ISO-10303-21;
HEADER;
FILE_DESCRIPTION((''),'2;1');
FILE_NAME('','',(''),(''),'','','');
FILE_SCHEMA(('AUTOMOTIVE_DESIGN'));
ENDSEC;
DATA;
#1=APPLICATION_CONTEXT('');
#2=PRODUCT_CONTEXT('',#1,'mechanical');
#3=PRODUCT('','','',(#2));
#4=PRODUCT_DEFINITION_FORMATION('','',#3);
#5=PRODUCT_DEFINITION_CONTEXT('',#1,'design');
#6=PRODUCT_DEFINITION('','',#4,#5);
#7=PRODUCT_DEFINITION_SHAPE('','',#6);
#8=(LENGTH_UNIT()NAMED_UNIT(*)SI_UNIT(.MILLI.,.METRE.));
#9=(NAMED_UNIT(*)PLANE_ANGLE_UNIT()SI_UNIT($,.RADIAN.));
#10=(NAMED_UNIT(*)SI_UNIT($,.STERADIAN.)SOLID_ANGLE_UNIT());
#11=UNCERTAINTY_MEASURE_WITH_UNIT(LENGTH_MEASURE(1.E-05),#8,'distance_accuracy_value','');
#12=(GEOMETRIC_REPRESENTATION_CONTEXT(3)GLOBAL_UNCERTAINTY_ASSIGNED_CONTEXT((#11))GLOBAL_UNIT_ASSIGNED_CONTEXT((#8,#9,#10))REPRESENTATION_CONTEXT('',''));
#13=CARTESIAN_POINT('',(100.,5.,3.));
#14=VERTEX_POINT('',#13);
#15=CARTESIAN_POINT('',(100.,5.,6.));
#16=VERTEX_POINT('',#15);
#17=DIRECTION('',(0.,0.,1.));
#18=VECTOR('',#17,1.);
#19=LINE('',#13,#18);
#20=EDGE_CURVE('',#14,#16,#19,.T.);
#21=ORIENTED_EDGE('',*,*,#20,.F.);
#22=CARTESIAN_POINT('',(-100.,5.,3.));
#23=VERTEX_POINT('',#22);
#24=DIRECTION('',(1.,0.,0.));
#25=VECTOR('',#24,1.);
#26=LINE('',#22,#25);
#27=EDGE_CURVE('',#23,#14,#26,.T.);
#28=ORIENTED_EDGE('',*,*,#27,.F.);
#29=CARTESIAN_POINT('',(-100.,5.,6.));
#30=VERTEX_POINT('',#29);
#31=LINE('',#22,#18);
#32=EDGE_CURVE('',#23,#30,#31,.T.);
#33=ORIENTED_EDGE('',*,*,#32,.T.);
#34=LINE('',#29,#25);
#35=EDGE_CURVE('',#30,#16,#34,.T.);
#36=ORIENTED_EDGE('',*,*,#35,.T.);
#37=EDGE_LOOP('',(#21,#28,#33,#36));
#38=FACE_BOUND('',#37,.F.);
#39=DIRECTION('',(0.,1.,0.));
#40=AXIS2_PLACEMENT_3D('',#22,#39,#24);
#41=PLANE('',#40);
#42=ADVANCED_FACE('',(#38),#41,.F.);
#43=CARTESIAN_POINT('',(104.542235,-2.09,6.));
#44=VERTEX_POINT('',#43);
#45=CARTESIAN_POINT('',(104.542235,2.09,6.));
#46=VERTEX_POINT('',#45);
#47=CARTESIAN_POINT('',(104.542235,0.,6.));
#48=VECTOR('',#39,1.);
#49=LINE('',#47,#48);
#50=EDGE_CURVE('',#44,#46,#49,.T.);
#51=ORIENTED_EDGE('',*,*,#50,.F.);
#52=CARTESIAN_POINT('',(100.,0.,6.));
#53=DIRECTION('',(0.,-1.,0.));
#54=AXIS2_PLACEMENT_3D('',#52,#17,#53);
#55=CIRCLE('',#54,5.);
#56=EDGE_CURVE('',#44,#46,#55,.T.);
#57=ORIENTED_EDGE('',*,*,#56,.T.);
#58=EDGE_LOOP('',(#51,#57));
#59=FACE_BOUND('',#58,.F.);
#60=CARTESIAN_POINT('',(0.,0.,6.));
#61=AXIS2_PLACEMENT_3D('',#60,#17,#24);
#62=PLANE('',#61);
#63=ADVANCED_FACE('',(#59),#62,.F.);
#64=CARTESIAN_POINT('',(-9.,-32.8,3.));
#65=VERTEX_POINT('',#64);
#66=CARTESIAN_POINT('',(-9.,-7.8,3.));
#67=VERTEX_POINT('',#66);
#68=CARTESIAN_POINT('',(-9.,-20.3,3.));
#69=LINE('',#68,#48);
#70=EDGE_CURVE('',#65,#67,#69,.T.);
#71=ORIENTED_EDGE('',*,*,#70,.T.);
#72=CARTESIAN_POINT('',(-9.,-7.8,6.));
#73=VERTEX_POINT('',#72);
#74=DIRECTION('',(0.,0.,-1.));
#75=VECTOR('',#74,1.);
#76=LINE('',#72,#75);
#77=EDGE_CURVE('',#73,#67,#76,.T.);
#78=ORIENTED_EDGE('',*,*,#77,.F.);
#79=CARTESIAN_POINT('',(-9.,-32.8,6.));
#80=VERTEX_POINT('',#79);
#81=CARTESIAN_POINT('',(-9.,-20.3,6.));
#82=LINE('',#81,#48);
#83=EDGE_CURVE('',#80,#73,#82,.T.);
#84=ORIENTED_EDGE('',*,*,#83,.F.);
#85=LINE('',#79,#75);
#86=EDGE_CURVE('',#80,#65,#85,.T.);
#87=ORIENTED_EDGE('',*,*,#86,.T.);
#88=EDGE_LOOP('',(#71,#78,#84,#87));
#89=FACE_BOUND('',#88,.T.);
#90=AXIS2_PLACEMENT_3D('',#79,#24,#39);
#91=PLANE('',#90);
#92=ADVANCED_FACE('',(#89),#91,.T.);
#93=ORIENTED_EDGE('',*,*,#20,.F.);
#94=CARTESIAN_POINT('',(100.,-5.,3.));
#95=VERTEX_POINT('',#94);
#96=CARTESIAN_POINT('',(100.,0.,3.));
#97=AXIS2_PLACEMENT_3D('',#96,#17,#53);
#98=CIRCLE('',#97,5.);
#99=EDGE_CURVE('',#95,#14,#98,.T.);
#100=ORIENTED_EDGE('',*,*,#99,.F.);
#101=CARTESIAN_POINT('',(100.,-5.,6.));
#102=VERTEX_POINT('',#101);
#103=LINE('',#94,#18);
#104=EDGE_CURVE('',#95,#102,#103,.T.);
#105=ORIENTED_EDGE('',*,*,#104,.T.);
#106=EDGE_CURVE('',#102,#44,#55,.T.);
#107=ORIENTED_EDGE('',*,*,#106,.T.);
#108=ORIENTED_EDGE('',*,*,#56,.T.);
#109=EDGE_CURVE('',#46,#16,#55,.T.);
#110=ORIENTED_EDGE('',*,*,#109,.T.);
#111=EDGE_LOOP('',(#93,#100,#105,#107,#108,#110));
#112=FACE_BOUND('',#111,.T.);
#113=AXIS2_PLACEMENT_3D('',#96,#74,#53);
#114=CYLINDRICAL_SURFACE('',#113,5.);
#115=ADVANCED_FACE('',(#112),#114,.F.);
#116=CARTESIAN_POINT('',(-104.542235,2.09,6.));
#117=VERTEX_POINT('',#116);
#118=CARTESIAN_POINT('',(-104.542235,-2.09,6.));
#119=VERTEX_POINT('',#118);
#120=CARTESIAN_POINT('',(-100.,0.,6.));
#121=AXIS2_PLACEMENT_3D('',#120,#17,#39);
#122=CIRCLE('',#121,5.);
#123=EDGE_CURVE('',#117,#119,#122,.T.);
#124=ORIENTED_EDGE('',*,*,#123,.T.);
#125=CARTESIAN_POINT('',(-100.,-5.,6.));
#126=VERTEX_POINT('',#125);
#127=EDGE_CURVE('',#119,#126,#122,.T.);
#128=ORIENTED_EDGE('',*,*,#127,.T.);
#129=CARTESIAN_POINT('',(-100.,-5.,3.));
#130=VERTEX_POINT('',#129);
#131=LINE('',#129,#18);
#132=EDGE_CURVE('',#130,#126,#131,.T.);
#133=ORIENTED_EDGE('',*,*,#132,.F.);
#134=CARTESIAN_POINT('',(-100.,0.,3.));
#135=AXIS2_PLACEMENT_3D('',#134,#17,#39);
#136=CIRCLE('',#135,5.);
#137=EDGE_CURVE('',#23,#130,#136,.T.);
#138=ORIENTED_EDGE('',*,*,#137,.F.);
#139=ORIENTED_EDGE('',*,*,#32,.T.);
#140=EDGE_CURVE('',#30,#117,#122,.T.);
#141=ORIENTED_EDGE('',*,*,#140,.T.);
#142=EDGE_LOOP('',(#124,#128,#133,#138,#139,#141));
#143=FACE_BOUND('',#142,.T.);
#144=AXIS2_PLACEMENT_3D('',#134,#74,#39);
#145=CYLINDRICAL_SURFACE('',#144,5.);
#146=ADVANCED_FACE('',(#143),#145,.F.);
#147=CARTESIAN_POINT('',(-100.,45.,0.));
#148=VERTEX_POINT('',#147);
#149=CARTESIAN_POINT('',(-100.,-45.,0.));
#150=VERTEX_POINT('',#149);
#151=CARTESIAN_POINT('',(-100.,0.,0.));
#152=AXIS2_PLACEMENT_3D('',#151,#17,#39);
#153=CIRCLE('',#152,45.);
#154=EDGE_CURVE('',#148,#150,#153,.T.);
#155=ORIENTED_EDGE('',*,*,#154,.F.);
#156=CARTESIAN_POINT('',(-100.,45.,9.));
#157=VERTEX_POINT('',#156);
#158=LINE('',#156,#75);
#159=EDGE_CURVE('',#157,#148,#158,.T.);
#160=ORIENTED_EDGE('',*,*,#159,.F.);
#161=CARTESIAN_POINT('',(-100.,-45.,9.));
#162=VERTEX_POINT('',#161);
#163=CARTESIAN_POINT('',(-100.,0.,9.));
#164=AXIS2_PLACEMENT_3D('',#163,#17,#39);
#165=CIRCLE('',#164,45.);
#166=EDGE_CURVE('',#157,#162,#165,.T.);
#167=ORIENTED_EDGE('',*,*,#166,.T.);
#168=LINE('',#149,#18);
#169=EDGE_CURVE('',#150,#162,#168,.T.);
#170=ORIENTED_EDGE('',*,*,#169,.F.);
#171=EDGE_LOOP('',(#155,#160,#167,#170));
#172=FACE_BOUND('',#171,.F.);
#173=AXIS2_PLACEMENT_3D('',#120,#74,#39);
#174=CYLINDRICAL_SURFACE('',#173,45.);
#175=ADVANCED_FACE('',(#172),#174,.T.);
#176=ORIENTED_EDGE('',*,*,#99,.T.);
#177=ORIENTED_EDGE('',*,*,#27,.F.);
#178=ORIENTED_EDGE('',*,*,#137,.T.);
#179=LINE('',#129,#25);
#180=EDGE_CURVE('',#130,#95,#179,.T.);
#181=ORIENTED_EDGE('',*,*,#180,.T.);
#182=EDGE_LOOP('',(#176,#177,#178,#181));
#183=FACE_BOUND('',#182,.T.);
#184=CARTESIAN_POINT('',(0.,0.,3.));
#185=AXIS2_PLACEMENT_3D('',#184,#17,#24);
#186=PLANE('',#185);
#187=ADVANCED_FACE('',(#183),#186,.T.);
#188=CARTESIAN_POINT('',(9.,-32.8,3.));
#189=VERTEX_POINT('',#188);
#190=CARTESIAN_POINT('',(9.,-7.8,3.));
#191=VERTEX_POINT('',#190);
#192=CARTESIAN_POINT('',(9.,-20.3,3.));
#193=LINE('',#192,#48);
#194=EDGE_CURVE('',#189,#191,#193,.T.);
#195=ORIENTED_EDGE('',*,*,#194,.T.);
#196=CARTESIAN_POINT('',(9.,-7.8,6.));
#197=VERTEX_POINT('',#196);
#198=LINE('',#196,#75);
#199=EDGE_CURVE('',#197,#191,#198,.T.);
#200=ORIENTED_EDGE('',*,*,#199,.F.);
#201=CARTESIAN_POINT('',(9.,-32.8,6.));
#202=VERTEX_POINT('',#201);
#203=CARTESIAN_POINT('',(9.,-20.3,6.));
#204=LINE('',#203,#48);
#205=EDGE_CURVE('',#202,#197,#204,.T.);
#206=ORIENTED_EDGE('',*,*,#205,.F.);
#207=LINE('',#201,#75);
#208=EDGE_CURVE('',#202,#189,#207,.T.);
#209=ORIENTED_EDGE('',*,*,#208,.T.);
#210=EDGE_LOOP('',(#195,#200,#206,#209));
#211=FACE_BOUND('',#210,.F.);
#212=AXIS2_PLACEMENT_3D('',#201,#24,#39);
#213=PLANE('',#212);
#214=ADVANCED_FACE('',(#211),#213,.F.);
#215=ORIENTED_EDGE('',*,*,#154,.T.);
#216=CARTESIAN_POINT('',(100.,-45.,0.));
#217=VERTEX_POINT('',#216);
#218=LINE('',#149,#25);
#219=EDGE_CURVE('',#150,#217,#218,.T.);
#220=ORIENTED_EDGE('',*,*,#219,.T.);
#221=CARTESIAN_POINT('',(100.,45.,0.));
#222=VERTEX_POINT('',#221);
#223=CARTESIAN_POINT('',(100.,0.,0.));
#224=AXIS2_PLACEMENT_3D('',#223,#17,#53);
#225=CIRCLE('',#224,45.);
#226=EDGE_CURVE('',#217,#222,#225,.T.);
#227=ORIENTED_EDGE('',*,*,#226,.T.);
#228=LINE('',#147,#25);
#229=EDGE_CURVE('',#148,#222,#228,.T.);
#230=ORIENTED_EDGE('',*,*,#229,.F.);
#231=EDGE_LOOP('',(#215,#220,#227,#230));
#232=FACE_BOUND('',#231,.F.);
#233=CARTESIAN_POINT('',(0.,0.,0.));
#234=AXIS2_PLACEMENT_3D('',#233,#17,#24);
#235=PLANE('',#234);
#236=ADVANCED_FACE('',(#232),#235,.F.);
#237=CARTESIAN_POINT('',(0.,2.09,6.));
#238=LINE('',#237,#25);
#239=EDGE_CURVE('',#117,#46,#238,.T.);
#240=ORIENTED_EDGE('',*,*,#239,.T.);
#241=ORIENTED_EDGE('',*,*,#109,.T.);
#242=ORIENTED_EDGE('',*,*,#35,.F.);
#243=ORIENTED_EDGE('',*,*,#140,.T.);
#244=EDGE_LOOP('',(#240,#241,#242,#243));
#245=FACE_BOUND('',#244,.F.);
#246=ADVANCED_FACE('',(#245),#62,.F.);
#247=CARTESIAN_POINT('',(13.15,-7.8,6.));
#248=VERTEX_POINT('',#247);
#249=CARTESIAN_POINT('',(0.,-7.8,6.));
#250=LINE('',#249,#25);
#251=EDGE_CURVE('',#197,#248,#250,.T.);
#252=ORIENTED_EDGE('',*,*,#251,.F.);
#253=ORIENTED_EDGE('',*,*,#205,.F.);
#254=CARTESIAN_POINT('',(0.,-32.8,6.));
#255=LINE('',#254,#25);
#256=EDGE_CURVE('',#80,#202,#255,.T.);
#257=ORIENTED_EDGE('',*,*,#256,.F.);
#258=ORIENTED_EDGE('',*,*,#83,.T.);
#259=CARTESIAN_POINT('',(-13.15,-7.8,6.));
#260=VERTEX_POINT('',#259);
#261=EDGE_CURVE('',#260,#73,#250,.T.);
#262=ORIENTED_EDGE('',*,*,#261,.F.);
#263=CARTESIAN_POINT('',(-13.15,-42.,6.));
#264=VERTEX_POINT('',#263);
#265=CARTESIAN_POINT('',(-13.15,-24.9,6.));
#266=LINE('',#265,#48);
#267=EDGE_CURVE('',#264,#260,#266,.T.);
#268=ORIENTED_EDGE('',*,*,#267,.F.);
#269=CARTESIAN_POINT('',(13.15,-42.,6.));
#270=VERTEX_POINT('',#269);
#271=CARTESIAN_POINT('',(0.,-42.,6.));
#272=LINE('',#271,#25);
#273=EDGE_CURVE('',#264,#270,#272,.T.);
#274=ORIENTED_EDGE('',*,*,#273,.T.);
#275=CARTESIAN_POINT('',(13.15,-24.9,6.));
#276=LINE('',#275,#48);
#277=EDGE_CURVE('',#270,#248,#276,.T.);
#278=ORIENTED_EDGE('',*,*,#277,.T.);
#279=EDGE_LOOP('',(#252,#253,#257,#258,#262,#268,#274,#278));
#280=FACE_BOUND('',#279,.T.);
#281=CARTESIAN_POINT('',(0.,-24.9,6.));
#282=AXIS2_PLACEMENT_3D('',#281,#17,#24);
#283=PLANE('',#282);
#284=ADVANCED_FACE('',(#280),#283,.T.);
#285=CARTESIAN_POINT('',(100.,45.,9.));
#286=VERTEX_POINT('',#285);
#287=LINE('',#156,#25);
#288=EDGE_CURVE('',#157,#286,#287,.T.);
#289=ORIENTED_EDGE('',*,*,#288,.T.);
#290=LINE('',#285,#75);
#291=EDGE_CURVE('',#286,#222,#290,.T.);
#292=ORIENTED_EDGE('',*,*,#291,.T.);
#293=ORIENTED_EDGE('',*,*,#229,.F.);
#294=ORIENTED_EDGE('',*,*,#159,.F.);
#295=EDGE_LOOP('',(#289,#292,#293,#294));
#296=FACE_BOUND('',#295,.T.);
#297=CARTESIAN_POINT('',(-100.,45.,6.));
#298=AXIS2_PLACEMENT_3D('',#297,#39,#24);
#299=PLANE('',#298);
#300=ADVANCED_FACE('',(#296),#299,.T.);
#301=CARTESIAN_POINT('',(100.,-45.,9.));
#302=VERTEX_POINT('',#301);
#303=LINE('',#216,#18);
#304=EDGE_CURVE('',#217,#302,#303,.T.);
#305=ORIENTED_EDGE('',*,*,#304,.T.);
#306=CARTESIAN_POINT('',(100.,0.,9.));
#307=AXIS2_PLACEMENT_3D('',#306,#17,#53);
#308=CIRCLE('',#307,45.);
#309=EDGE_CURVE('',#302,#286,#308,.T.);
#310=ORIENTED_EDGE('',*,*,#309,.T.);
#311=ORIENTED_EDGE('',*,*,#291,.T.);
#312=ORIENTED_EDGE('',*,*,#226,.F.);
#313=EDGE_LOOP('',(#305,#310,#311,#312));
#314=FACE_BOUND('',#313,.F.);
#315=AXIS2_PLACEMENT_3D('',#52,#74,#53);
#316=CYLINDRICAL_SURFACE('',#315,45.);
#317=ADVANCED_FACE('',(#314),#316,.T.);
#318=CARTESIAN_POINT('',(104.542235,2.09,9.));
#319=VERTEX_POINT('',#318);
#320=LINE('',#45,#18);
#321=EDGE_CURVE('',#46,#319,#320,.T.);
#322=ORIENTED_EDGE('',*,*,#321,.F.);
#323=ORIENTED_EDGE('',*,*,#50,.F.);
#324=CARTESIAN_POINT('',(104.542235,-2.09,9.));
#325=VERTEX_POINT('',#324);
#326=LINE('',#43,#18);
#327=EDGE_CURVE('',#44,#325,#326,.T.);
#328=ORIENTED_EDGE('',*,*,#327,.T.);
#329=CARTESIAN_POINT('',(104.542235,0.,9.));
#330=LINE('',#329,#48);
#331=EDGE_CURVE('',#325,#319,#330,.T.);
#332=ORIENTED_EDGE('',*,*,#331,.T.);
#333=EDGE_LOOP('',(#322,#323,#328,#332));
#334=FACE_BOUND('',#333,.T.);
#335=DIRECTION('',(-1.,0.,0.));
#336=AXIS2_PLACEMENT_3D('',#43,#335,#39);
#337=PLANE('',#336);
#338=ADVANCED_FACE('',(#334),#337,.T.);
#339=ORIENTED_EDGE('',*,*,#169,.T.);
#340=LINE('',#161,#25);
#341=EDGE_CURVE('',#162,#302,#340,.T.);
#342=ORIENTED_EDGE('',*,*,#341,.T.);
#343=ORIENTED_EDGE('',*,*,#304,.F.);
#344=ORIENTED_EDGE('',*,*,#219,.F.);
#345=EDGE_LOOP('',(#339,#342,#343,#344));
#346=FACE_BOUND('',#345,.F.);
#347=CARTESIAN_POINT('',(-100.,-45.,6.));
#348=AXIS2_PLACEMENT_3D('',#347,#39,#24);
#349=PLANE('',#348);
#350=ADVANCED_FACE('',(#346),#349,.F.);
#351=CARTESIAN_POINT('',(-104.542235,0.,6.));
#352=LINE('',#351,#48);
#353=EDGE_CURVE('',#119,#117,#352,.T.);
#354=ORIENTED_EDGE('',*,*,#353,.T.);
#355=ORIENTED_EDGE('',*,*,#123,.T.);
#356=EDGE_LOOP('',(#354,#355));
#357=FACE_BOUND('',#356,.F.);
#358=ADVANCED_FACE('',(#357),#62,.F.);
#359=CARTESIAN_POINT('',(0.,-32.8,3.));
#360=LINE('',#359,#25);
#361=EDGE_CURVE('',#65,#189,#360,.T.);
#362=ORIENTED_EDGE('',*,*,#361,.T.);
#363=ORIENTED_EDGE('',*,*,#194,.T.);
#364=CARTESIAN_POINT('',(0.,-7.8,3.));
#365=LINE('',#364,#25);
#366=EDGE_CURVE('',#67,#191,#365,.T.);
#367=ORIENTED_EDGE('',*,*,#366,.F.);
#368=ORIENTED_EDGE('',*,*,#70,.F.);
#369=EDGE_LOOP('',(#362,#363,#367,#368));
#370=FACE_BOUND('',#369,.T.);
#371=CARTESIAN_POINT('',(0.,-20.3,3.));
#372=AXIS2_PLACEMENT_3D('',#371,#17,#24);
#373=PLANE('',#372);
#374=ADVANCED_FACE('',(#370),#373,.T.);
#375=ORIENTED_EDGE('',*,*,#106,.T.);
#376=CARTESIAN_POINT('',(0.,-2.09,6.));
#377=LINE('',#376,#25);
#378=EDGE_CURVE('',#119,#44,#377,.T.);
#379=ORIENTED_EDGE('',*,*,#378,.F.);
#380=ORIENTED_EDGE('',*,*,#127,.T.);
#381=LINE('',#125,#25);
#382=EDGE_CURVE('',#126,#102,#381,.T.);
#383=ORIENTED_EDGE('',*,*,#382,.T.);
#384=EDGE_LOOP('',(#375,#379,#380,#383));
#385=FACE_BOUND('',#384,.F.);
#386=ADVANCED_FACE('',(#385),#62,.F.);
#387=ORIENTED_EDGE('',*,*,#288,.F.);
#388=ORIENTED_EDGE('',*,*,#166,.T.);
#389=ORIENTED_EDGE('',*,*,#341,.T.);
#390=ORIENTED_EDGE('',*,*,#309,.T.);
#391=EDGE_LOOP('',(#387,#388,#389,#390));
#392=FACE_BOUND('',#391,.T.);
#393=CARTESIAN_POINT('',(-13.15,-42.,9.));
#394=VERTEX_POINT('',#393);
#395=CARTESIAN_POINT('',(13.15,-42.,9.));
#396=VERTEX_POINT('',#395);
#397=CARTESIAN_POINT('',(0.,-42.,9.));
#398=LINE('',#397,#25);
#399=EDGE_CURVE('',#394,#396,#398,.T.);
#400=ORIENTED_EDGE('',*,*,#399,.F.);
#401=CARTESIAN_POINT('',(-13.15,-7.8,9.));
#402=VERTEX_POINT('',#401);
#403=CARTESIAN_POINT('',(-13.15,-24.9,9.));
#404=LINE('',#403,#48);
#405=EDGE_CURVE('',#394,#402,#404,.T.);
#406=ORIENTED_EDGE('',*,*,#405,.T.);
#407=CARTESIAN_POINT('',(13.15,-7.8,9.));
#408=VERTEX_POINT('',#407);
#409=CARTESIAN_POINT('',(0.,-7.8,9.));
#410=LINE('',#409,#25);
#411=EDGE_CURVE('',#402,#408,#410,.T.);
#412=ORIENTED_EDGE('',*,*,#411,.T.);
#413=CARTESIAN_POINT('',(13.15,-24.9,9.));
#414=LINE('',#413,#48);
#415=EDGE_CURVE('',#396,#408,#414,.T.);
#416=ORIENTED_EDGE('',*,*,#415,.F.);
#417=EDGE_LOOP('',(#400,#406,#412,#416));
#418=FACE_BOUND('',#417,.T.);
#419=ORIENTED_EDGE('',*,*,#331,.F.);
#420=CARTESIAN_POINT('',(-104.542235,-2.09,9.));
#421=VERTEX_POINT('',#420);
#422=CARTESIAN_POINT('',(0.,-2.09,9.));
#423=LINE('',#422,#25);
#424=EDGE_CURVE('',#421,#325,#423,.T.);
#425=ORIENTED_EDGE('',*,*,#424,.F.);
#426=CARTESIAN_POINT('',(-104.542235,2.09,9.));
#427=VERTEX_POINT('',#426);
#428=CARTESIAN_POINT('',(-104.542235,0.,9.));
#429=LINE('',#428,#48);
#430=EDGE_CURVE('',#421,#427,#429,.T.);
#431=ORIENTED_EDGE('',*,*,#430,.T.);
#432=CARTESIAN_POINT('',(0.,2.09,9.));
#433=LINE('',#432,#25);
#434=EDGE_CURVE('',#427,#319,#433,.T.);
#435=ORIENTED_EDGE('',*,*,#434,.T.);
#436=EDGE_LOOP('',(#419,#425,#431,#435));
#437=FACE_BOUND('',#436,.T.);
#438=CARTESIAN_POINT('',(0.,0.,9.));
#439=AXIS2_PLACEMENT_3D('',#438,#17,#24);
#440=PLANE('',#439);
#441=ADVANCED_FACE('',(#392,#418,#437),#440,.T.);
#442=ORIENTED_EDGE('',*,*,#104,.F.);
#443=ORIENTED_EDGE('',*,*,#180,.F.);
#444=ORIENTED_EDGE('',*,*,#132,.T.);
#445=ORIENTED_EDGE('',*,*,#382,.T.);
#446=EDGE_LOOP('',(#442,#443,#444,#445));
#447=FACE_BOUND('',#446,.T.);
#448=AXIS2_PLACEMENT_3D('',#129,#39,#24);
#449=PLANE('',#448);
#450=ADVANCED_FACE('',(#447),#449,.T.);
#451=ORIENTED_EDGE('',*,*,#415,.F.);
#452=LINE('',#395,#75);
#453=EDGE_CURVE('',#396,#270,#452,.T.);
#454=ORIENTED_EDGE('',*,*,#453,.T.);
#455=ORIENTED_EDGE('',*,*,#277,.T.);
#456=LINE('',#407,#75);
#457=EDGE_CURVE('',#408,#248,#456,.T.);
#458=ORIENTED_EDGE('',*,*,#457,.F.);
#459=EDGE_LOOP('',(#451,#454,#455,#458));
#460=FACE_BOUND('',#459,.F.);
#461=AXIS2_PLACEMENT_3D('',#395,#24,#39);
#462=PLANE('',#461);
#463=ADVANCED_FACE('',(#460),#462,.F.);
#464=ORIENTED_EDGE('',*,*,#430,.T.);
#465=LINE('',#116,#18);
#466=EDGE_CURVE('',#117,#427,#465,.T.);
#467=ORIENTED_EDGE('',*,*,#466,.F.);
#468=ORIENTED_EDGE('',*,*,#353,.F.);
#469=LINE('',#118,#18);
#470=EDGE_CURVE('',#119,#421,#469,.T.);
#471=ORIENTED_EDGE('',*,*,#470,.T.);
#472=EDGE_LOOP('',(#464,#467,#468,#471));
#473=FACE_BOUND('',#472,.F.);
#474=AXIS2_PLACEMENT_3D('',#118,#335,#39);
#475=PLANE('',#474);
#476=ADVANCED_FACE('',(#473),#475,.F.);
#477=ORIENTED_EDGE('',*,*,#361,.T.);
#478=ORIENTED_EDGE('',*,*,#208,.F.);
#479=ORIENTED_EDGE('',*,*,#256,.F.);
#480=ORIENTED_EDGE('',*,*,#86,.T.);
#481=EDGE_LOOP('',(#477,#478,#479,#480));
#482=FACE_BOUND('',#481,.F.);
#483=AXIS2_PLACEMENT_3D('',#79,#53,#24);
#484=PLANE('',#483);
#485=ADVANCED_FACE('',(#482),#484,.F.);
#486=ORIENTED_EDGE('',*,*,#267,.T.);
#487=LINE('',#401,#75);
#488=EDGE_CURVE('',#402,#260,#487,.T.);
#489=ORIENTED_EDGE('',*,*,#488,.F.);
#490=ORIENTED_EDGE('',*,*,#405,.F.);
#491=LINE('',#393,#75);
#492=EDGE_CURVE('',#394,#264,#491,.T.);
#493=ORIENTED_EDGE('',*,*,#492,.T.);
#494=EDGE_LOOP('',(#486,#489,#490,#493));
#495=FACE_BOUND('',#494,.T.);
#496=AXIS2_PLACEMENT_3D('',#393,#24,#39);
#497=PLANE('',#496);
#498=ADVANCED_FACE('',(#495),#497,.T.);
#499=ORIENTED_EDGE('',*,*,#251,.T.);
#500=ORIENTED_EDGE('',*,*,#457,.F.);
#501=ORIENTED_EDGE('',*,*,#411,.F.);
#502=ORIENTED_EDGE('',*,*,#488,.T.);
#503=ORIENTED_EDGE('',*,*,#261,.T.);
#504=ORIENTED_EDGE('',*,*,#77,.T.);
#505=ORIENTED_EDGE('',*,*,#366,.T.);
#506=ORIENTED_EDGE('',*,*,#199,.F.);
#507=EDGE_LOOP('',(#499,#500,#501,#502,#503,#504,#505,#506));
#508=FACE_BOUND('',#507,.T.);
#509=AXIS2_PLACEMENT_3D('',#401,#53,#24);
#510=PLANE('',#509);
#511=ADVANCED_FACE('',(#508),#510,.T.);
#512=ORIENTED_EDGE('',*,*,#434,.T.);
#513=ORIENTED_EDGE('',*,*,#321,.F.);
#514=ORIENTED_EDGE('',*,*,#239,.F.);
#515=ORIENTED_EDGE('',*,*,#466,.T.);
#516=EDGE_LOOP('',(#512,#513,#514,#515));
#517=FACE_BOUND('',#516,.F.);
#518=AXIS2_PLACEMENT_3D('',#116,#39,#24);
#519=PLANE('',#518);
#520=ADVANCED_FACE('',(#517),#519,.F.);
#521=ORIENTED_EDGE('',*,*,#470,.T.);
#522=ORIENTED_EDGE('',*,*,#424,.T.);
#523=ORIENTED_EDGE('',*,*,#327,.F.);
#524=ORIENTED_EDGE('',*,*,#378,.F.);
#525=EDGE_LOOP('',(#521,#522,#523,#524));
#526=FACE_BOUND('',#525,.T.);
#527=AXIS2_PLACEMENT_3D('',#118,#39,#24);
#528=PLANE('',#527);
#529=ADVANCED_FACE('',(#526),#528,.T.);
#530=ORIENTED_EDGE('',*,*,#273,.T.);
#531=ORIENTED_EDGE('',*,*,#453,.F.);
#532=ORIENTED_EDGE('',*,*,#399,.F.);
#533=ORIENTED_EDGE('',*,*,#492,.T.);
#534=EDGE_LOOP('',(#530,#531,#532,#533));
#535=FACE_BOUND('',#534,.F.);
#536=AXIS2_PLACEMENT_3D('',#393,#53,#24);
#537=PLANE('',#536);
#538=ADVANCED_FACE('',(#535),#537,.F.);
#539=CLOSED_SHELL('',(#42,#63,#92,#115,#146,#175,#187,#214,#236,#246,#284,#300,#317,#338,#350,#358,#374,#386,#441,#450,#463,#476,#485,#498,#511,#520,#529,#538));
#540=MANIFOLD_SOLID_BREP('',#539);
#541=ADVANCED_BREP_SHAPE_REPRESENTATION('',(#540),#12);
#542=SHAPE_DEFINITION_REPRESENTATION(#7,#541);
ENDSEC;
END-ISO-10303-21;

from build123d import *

# Parameters (mm, degrees)
PAD_DEPTH       = 3
PAD001_DEPTH    = 3
SKETCH002_W     = 209.08447
SKETCH002_H     = 4.18
PAD002_DEPTH    = 3
SKETCH003_W     = 26.3
SKETCH003_H     = 34.2
POCKET_DEPTH    = 3
SKETCH004_W     = 18
SKETCH004_H     = 25
POCKET001_DEPTH = 3


with BuildPart() as part:
    # Sketch → Pad (new body)
    with BuildSketch(Plane.XY):
        with BuildLine():
            ThreePointArc((-100, 45), (-145, 0), (-100, -45))
            Line((-100, -45), (100, -45))
            ThreePointArc((100, -45), (145, 0), (100, 45))
            Line((-100, 45), (100, 45))
        make_face()
    extrude(amount=PAD_DEPTH)

    # Sketch001 (on Face6 of Pad) → Pad001 (join)
    with BuildSketch(Plane.XY.offset(3)):
        with BuildLine():
            ThreePointArc((-100, 45), (-145, 0), (-100, -45))
            Line((-100, -45), (100, -45))
            ThreePointArc((100, -45), (145, 0), (100, 45))
            Line((-100, 45), (100, 45))
        make_face()
        with BuildLine():
            ThreePointArc((-100, 5), (-105, 0), (-100, -5))
            Line((-100, -5), (100, -5))
            ThreePointArc((100, -5), (105, 0), (100, 5))
            Line((-100, 5), (100, 5))
        make_face(mode=Mode.SUBTRACT)
    extrude(amount=PAD001_DEPTH)

    # Sketch002 (on Face9 of Pad001) → Pad002 (join)
    with BuildSketch(Plane.XY.offset(6)):
        with BuildLine():
            ThreePointArc((-100, 45), (-145, 0), (-100, -45))
            Line((-100, -45), (100, -45))
            ThreePointArc((100, -45), (145, 0), (100, 45))
            Line((-100, 45), (100, 45))
        make_face()
        Rectangle(SKETCH002_W, SKETCH002_H, mode=Mode.SUBTRACT)
    extrude(amount=PAD002_DEPTH)

    # Sketch003 (on Face13 of Pad002) → Pocket (cut)
    with BuildSketch(Plane.XY.offset(9)):
        with Locations((0, -24.9)):
            Rectangle(SKETCH003_W, SKETCH003_H)
    extrude(amount=-POCKET_DEPTH, mode=Mode.SUBTRACT)

    # Sketch004 (on Face27 of Pocket) → Pocket001 (cut)
    with BuildSketch(Plane.XY.offset(6)):
        with Locations((0, -20.3)):
            Rectangle(SKETCH004_W, SKETCH004_H)
    extrude(amount=-POCKET001_DEPTH, mode=Mode.SUBTRACT)


solid = part.part
